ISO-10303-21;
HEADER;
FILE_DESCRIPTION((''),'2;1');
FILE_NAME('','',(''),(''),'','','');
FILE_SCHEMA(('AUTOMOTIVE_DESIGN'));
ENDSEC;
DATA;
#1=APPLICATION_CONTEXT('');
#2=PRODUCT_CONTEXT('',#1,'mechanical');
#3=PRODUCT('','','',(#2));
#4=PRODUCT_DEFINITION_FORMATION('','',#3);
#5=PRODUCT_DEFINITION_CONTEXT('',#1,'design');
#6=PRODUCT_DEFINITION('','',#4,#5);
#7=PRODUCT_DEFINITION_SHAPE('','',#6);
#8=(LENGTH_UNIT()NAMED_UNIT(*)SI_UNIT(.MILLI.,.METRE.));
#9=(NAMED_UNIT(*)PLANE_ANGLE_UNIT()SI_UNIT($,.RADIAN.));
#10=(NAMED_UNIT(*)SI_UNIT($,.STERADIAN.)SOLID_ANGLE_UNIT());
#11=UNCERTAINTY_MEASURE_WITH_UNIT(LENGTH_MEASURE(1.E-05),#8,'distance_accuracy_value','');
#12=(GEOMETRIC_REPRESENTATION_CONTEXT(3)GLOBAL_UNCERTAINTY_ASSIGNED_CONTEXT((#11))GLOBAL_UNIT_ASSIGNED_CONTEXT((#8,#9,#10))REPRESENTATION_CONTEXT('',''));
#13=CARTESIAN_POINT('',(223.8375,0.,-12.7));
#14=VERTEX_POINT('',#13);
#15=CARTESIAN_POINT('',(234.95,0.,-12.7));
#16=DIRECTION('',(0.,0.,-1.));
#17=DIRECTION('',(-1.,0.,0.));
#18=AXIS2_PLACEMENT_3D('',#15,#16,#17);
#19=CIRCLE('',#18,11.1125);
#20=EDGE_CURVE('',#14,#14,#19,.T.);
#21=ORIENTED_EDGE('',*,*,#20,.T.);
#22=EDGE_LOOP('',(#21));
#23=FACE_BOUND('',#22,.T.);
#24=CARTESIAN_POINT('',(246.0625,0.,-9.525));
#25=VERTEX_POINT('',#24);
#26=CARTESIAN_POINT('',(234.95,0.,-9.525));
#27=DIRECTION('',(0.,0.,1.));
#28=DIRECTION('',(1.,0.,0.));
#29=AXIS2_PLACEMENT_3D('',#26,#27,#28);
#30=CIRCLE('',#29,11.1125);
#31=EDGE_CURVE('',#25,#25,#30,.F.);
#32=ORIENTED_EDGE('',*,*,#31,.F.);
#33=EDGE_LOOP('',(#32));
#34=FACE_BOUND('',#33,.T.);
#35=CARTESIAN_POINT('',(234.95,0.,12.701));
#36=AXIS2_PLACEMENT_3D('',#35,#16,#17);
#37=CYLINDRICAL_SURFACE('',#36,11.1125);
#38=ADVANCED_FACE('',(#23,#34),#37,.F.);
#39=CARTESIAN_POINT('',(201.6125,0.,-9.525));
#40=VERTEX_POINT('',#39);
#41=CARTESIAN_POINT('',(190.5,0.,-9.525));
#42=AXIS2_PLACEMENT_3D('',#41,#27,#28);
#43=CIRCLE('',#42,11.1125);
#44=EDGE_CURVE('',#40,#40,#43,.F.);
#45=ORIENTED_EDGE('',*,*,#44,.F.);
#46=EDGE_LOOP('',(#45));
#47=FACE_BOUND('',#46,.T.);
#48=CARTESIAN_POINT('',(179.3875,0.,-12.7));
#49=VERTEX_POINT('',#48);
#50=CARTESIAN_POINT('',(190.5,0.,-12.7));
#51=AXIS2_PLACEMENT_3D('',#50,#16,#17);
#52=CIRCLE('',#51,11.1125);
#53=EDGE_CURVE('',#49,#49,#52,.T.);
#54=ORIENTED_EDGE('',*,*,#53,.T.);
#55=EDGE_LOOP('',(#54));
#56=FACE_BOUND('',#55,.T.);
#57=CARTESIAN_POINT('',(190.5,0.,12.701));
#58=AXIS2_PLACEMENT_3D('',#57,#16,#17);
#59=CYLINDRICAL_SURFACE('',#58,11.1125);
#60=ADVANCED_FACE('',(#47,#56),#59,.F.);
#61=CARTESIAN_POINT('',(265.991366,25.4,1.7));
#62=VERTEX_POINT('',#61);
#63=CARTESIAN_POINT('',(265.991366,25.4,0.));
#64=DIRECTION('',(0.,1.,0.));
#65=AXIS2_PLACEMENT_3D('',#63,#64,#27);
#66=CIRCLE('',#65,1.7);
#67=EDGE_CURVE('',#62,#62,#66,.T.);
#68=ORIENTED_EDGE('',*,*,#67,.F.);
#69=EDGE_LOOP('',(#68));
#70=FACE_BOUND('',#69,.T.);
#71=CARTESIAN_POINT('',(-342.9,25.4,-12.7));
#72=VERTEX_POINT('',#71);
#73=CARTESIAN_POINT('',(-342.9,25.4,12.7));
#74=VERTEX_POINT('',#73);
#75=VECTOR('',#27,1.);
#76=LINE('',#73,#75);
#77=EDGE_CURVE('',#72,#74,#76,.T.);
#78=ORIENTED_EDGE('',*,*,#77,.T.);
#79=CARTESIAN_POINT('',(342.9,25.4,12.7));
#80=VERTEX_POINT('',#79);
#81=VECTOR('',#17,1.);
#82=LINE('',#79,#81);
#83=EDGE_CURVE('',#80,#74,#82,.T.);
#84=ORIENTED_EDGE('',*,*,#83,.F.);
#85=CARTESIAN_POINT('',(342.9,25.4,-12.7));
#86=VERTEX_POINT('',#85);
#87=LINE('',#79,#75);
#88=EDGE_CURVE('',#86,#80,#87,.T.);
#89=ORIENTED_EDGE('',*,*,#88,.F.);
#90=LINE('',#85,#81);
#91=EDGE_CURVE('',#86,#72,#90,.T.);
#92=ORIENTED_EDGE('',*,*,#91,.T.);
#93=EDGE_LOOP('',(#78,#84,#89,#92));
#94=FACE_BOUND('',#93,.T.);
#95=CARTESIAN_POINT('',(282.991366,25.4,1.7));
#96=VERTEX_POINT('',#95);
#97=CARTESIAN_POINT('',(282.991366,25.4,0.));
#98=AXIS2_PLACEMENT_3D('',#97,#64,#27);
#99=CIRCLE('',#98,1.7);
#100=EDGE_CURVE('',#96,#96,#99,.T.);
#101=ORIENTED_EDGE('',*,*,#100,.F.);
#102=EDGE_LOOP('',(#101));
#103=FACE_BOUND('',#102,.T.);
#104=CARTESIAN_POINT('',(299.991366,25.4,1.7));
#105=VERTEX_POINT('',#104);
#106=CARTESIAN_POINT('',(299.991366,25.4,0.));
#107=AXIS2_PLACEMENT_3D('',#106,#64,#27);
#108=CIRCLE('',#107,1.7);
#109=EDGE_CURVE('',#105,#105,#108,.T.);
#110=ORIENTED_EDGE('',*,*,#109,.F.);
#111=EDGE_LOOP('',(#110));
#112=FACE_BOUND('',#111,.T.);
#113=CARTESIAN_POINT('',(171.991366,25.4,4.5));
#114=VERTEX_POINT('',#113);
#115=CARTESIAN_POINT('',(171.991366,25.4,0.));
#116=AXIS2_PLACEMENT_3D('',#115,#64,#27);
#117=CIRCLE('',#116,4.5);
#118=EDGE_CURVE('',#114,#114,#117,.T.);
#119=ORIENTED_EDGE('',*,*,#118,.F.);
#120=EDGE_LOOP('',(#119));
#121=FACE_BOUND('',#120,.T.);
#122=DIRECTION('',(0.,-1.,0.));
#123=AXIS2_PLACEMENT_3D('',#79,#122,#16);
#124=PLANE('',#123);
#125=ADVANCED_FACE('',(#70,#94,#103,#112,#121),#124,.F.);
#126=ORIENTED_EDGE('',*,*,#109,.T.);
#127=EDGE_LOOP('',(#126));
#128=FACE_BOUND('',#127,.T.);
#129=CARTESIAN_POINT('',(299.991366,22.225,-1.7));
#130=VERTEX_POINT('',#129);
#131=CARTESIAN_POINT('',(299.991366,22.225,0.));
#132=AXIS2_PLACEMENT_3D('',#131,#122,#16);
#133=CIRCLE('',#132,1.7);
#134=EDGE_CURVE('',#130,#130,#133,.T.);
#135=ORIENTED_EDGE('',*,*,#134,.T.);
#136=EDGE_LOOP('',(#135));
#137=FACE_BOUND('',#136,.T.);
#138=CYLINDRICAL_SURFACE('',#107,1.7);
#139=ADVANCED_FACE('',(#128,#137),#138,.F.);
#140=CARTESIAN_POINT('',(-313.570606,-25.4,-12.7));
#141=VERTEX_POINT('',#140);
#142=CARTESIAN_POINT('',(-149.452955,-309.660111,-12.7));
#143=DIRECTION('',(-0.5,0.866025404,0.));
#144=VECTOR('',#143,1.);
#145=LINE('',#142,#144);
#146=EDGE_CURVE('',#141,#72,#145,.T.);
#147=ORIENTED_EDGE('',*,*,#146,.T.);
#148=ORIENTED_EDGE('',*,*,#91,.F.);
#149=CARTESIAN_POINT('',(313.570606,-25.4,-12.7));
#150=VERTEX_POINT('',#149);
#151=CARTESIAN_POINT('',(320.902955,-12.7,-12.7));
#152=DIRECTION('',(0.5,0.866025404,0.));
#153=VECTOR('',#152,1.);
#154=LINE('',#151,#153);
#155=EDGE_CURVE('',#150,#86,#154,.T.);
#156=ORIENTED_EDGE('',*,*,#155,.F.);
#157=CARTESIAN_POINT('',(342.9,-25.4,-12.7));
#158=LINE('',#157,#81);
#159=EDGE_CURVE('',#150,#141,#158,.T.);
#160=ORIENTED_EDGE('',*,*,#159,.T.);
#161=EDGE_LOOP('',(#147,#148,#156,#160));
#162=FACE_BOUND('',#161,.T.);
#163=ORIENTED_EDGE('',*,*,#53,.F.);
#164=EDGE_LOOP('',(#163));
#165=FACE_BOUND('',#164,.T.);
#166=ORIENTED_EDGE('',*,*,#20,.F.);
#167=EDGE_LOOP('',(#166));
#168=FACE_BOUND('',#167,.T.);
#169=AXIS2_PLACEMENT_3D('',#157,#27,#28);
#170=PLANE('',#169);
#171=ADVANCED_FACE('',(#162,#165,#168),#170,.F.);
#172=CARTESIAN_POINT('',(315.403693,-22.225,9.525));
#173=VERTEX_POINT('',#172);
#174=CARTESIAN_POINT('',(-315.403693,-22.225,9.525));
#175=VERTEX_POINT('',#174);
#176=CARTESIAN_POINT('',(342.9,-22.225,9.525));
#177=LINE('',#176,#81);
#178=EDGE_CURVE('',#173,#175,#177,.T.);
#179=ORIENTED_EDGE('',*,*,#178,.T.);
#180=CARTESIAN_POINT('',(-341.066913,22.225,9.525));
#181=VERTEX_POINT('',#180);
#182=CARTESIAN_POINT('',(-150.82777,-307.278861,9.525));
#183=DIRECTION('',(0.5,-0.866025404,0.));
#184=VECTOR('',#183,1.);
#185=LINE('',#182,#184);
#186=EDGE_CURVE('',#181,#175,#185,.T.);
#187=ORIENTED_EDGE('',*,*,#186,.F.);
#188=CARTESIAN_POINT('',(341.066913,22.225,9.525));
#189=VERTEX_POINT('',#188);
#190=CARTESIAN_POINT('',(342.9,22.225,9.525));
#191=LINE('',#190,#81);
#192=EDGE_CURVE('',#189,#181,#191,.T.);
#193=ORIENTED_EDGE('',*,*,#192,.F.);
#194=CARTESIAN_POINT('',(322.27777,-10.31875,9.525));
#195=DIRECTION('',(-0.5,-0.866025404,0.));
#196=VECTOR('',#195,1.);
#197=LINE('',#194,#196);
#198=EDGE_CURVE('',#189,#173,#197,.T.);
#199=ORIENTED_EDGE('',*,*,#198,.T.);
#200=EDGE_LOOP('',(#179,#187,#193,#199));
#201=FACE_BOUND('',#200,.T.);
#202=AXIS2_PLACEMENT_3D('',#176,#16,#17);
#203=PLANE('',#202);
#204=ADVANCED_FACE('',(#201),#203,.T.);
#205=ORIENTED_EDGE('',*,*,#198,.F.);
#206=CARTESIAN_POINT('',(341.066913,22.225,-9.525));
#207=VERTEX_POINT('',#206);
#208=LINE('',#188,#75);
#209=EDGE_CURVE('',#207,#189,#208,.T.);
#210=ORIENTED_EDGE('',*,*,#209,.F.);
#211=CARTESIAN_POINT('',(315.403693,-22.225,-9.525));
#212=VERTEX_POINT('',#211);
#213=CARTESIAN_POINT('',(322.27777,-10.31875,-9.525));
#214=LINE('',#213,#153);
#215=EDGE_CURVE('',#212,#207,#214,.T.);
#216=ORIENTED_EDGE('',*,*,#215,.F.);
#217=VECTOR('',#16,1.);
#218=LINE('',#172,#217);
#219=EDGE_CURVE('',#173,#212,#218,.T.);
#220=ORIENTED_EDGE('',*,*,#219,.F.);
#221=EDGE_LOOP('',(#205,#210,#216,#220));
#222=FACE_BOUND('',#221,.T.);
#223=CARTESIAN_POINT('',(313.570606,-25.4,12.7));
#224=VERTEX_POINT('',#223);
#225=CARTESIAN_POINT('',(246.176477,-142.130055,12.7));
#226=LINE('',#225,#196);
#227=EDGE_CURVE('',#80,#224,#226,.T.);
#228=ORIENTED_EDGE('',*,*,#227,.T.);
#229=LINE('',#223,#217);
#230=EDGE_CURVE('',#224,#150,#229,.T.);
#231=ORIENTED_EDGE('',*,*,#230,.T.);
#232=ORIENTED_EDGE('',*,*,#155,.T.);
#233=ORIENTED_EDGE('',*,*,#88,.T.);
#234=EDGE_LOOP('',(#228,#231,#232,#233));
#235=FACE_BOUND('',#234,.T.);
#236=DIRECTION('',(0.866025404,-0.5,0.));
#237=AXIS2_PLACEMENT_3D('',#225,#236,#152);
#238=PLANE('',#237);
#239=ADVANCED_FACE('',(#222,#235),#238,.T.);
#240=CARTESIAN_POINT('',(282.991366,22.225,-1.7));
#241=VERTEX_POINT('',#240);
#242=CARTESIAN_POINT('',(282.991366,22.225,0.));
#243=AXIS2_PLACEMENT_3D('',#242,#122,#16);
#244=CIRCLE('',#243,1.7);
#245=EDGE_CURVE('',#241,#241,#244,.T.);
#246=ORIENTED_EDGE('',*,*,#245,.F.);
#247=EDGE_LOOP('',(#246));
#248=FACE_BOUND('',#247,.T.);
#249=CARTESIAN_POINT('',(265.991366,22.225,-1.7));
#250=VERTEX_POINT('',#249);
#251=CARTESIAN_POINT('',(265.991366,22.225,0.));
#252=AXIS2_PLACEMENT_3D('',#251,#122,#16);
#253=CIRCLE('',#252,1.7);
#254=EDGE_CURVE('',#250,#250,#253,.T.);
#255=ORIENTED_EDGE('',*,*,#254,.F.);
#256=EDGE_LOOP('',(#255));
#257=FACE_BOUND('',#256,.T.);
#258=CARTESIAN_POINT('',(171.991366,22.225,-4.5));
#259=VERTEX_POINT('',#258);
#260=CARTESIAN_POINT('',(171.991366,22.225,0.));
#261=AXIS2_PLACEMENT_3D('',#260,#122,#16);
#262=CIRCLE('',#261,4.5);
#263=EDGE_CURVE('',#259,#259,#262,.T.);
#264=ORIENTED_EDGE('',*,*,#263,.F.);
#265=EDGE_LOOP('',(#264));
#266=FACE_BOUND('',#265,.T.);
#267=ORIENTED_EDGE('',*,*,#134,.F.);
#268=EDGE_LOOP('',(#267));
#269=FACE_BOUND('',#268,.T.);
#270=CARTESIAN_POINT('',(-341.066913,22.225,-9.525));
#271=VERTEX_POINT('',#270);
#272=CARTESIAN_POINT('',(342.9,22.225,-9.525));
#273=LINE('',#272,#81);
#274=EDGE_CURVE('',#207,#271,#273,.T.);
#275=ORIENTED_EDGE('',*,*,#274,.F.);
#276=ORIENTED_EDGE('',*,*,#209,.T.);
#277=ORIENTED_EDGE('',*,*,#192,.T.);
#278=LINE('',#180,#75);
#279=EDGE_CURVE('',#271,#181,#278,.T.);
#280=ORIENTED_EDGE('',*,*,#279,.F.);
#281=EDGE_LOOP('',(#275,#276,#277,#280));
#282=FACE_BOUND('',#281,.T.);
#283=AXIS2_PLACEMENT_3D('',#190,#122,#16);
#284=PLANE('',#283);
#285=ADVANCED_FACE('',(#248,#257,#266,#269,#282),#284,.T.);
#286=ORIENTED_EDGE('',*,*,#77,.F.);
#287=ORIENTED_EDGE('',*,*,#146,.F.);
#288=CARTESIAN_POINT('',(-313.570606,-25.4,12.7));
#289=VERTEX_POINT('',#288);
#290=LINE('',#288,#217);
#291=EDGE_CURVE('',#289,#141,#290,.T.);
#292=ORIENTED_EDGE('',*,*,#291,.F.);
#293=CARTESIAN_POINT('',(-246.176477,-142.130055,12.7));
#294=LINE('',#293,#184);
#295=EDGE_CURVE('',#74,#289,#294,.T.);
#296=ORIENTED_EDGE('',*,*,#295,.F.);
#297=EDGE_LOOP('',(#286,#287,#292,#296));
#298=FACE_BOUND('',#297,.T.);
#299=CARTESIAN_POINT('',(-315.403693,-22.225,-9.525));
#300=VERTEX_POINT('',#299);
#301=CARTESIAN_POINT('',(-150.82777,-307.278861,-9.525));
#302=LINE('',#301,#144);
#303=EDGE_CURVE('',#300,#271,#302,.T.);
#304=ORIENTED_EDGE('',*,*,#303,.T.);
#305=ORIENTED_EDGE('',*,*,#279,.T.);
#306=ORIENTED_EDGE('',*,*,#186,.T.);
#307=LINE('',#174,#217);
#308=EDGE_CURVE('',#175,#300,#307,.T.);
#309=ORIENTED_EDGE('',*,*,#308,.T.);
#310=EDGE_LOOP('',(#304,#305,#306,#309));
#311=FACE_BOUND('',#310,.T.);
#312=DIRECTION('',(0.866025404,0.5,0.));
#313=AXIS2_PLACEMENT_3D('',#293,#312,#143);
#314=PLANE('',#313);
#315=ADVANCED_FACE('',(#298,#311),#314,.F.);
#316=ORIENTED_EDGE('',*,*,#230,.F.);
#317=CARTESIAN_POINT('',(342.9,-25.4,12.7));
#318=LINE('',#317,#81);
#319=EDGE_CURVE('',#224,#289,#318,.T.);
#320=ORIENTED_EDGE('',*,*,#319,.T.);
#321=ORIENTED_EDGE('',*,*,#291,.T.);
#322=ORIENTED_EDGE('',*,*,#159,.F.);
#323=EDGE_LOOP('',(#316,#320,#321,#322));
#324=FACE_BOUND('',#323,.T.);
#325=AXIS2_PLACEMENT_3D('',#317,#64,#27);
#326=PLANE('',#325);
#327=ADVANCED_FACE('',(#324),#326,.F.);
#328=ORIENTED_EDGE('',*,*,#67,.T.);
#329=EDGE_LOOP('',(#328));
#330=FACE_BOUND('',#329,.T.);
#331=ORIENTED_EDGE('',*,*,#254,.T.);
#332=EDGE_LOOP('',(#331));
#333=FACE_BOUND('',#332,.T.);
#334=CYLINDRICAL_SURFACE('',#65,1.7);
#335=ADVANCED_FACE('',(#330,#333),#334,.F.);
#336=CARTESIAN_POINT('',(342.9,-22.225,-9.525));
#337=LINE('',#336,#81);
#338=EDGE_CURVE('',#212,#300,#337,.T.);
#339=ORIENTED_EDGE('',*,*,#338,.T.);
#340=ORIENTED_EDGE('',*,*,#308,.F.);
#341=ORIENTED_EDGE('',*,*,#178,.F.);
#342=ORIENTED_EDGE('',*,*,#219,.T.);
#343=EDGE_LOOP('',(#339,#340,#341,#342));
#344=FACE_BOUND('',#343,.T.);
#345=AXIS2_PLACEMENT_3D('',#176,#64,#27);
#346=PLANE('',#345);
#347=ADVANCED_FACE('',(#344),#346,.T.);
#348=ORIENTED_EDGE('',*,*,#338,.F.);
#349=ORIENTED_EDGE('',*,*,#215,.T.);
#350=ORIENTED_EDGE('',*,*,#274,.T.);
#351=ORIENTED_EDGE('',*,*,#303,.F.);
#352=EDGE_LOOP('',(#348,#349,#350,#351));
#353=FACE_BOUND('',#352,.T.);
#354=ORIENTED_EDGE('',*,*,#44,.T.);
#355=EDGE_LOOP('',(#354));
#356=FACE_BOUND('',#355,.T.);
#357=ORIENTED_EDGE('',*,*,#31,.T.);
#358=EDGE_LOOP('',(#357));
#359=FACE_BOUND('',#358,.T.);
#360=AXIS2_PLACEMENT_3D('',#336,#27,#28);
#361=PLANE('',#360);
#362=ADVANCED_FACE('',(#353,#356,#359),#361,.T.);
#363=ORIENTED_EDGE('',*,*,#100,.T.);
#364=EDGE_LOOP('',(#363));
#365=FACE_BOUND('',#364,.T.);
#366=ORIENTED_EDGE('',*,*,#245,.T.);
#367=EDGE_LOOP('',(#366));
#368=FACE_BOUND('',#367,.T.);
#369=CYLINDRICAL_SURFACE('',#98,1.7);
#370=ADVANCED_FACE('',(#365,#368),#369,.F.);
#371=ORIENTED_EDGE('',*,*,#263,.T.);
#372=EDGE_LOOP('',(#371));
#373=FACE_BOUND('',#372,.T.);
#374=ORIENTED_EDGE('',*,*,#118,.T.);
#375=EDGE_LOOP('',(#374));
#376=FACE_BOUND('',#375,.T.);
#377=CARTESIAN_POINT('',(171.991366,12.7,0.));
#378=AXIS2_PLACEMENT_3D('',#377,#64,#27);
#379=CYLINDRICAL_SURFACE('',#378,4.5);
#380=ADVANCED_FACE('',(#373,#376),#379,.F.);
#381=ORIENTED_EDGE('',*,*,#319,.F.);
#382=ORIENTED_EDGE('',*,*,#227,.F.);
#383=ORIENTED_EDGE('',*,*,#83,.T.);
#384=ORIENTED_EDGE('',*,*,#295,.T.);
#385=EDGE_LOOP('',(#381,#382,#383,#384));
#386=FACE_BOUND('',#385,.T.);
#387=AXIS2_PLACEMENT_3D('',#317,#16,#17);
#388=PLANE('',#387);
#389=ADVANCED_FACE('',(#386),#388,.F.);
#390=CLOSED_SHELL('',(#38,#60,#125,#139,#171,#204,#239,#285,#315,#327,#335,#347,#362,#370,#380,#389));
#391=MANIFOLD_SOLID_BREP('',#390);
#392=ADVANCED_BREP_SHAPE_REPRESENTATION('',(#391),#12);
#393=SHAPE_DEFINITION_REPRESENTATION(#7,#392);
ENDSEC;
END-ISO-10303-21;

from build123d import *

# Parameters (mm, degrees)
SKETCH1_W                = 25.4
SKETCH1_H                = 50.8
SKETCH1_W_2              = 19.05
SKETCH1_H_2              = 44.45
BOSS_EXTRUDE1_DEPTH      = 342.9
CUT_EXTRUDE1_DEPTH       = 1
CUT_EXTRUDE1_DEPTH_BACK  = 26.4
CUT_EXTRUDE2_REACH       = 27.4
SKETCH3_R                = 11.1125
M3_CLEARANCE_HOLE1_D     = 3.4
M3_CLEARANCE_HOLE1_DEPTH = 3.175
SKETCH9_R                = 4.5
CUT_EXTRUDE3_DEPTH       = 12.7


with BuildPart() as part:
    # Sketch1 → Boss-Extrude1 (new body, symmetric)
    with BuildSketch(Plane(origin=(0, 0, 0), x_dir=(0, 0, -1), z_dir=(1, 0, 0))):
        Rectangle(SKETCH1_W, SKETCH1_H)
        Rectangle(SKETCH1_W_2, SKETCH1_H_2, mode=Mode.SUBTRACT)
    extrude(amount=BOSS_EXTRUDE1_DEPTH, both=True)

    # Sketch2 → Cut-Extrude1 (cut, two sides)
    with BuildSketch(Plane(origin=(0, 0, -12.7), x_dir=(-1, 0, 0), z_dir=(0, 0, -1))) as cut_extrude1_sk:
        Polygon((342.9, -25.4), (342.9, 25.4), (313.570606325, -25.4), align=None)
        Polygon((-342.9, -25.4), (-313.570606325, -25.4), (-342.9, 25.4), align=None)
    extrude(amount=CUT_EXTRUDE1_DEPTH, mode=Mode.SUBTRACT)
    extrude(cut_extrude1_sk.sketch, amount=-CUT_EXTRUDE1_DEPTH_BACK, mode=Mode.SUBTRACT)

    # Sketch3 → Cut-Extrude2 (cut, up to next)
    with BuildSketch(Plane(origin=(0, 0, -12.7), x_dir=(-1, 0, 0), z_dir=(0, 0, -1)), mode=Mode.PRIVATE) as cut_extrude2_sk1:
        with Locations((-234.95, 0)):
            Circle(SKETCH3_R)
    cut_extrude2_tool1 = extrude(cut_extrude2_sk1.sketch, amount=-CUT_EXTRUDE2_REACH, mode=Mode.PRIVATE) & part.part
    add(cut_extrude2_tool1.solids().sort_by_distance((234.95, 0, -12.7))[0], mode=Mode.SUBTRACT)
    # Sketch3 → Cut-Extrude2 (cut, up to next)
    with BuildSketch(Plane(origin=(0, 0, -12.7), x_dir=(-1, 0, 0), z_dir=(0, 0, -1)), mode=Mode.PRIVATE) as cut_extrude2_sk2:
        with Locations((-190.5, 0)):
            Circle(SKETCH3_R)
    cut_extrude2_tool2 = extrude(cut_extrude2_sk2.sketch, amount=-CUT_EXTRUDE2_REACH, mode=Mode.PRIVATE) & part.part
    add(cut_extrude2_tool2.solids().sort_by_distance((190.5, 0, -12.7))[0], mode=Mode.SUBTRACT)

    # M3 Clearance Hole1
    with Locations(Plane(origin=(0, 25.4, 0), x_dir=(1, 0, 0), z_dir=(0, 1, 0))):
        with Locations((299.991366478, 0), (282.991366478, 0), (265.991366478, 0)):
            Hole(M3_CLEARANCE_HOLE1_D / 2, depth=M3_CLEARANCE_HOLE1_DEPTH)

    # Sketch9 → Cut-Extrude3 (cut)
    with BuildSketch(Plane(origin=(0, 25.4, 0), x_dir=(1, 0, 0), z_dir=(0, 1, 0))):
        with Locations((171.991366478, 0)):
            Circle(SKETCH9_R)
    extrude(amount=-CUT_EXTRUDE3_DEPTH, mode=Mode.SUBTRACT)


solid = part.part
